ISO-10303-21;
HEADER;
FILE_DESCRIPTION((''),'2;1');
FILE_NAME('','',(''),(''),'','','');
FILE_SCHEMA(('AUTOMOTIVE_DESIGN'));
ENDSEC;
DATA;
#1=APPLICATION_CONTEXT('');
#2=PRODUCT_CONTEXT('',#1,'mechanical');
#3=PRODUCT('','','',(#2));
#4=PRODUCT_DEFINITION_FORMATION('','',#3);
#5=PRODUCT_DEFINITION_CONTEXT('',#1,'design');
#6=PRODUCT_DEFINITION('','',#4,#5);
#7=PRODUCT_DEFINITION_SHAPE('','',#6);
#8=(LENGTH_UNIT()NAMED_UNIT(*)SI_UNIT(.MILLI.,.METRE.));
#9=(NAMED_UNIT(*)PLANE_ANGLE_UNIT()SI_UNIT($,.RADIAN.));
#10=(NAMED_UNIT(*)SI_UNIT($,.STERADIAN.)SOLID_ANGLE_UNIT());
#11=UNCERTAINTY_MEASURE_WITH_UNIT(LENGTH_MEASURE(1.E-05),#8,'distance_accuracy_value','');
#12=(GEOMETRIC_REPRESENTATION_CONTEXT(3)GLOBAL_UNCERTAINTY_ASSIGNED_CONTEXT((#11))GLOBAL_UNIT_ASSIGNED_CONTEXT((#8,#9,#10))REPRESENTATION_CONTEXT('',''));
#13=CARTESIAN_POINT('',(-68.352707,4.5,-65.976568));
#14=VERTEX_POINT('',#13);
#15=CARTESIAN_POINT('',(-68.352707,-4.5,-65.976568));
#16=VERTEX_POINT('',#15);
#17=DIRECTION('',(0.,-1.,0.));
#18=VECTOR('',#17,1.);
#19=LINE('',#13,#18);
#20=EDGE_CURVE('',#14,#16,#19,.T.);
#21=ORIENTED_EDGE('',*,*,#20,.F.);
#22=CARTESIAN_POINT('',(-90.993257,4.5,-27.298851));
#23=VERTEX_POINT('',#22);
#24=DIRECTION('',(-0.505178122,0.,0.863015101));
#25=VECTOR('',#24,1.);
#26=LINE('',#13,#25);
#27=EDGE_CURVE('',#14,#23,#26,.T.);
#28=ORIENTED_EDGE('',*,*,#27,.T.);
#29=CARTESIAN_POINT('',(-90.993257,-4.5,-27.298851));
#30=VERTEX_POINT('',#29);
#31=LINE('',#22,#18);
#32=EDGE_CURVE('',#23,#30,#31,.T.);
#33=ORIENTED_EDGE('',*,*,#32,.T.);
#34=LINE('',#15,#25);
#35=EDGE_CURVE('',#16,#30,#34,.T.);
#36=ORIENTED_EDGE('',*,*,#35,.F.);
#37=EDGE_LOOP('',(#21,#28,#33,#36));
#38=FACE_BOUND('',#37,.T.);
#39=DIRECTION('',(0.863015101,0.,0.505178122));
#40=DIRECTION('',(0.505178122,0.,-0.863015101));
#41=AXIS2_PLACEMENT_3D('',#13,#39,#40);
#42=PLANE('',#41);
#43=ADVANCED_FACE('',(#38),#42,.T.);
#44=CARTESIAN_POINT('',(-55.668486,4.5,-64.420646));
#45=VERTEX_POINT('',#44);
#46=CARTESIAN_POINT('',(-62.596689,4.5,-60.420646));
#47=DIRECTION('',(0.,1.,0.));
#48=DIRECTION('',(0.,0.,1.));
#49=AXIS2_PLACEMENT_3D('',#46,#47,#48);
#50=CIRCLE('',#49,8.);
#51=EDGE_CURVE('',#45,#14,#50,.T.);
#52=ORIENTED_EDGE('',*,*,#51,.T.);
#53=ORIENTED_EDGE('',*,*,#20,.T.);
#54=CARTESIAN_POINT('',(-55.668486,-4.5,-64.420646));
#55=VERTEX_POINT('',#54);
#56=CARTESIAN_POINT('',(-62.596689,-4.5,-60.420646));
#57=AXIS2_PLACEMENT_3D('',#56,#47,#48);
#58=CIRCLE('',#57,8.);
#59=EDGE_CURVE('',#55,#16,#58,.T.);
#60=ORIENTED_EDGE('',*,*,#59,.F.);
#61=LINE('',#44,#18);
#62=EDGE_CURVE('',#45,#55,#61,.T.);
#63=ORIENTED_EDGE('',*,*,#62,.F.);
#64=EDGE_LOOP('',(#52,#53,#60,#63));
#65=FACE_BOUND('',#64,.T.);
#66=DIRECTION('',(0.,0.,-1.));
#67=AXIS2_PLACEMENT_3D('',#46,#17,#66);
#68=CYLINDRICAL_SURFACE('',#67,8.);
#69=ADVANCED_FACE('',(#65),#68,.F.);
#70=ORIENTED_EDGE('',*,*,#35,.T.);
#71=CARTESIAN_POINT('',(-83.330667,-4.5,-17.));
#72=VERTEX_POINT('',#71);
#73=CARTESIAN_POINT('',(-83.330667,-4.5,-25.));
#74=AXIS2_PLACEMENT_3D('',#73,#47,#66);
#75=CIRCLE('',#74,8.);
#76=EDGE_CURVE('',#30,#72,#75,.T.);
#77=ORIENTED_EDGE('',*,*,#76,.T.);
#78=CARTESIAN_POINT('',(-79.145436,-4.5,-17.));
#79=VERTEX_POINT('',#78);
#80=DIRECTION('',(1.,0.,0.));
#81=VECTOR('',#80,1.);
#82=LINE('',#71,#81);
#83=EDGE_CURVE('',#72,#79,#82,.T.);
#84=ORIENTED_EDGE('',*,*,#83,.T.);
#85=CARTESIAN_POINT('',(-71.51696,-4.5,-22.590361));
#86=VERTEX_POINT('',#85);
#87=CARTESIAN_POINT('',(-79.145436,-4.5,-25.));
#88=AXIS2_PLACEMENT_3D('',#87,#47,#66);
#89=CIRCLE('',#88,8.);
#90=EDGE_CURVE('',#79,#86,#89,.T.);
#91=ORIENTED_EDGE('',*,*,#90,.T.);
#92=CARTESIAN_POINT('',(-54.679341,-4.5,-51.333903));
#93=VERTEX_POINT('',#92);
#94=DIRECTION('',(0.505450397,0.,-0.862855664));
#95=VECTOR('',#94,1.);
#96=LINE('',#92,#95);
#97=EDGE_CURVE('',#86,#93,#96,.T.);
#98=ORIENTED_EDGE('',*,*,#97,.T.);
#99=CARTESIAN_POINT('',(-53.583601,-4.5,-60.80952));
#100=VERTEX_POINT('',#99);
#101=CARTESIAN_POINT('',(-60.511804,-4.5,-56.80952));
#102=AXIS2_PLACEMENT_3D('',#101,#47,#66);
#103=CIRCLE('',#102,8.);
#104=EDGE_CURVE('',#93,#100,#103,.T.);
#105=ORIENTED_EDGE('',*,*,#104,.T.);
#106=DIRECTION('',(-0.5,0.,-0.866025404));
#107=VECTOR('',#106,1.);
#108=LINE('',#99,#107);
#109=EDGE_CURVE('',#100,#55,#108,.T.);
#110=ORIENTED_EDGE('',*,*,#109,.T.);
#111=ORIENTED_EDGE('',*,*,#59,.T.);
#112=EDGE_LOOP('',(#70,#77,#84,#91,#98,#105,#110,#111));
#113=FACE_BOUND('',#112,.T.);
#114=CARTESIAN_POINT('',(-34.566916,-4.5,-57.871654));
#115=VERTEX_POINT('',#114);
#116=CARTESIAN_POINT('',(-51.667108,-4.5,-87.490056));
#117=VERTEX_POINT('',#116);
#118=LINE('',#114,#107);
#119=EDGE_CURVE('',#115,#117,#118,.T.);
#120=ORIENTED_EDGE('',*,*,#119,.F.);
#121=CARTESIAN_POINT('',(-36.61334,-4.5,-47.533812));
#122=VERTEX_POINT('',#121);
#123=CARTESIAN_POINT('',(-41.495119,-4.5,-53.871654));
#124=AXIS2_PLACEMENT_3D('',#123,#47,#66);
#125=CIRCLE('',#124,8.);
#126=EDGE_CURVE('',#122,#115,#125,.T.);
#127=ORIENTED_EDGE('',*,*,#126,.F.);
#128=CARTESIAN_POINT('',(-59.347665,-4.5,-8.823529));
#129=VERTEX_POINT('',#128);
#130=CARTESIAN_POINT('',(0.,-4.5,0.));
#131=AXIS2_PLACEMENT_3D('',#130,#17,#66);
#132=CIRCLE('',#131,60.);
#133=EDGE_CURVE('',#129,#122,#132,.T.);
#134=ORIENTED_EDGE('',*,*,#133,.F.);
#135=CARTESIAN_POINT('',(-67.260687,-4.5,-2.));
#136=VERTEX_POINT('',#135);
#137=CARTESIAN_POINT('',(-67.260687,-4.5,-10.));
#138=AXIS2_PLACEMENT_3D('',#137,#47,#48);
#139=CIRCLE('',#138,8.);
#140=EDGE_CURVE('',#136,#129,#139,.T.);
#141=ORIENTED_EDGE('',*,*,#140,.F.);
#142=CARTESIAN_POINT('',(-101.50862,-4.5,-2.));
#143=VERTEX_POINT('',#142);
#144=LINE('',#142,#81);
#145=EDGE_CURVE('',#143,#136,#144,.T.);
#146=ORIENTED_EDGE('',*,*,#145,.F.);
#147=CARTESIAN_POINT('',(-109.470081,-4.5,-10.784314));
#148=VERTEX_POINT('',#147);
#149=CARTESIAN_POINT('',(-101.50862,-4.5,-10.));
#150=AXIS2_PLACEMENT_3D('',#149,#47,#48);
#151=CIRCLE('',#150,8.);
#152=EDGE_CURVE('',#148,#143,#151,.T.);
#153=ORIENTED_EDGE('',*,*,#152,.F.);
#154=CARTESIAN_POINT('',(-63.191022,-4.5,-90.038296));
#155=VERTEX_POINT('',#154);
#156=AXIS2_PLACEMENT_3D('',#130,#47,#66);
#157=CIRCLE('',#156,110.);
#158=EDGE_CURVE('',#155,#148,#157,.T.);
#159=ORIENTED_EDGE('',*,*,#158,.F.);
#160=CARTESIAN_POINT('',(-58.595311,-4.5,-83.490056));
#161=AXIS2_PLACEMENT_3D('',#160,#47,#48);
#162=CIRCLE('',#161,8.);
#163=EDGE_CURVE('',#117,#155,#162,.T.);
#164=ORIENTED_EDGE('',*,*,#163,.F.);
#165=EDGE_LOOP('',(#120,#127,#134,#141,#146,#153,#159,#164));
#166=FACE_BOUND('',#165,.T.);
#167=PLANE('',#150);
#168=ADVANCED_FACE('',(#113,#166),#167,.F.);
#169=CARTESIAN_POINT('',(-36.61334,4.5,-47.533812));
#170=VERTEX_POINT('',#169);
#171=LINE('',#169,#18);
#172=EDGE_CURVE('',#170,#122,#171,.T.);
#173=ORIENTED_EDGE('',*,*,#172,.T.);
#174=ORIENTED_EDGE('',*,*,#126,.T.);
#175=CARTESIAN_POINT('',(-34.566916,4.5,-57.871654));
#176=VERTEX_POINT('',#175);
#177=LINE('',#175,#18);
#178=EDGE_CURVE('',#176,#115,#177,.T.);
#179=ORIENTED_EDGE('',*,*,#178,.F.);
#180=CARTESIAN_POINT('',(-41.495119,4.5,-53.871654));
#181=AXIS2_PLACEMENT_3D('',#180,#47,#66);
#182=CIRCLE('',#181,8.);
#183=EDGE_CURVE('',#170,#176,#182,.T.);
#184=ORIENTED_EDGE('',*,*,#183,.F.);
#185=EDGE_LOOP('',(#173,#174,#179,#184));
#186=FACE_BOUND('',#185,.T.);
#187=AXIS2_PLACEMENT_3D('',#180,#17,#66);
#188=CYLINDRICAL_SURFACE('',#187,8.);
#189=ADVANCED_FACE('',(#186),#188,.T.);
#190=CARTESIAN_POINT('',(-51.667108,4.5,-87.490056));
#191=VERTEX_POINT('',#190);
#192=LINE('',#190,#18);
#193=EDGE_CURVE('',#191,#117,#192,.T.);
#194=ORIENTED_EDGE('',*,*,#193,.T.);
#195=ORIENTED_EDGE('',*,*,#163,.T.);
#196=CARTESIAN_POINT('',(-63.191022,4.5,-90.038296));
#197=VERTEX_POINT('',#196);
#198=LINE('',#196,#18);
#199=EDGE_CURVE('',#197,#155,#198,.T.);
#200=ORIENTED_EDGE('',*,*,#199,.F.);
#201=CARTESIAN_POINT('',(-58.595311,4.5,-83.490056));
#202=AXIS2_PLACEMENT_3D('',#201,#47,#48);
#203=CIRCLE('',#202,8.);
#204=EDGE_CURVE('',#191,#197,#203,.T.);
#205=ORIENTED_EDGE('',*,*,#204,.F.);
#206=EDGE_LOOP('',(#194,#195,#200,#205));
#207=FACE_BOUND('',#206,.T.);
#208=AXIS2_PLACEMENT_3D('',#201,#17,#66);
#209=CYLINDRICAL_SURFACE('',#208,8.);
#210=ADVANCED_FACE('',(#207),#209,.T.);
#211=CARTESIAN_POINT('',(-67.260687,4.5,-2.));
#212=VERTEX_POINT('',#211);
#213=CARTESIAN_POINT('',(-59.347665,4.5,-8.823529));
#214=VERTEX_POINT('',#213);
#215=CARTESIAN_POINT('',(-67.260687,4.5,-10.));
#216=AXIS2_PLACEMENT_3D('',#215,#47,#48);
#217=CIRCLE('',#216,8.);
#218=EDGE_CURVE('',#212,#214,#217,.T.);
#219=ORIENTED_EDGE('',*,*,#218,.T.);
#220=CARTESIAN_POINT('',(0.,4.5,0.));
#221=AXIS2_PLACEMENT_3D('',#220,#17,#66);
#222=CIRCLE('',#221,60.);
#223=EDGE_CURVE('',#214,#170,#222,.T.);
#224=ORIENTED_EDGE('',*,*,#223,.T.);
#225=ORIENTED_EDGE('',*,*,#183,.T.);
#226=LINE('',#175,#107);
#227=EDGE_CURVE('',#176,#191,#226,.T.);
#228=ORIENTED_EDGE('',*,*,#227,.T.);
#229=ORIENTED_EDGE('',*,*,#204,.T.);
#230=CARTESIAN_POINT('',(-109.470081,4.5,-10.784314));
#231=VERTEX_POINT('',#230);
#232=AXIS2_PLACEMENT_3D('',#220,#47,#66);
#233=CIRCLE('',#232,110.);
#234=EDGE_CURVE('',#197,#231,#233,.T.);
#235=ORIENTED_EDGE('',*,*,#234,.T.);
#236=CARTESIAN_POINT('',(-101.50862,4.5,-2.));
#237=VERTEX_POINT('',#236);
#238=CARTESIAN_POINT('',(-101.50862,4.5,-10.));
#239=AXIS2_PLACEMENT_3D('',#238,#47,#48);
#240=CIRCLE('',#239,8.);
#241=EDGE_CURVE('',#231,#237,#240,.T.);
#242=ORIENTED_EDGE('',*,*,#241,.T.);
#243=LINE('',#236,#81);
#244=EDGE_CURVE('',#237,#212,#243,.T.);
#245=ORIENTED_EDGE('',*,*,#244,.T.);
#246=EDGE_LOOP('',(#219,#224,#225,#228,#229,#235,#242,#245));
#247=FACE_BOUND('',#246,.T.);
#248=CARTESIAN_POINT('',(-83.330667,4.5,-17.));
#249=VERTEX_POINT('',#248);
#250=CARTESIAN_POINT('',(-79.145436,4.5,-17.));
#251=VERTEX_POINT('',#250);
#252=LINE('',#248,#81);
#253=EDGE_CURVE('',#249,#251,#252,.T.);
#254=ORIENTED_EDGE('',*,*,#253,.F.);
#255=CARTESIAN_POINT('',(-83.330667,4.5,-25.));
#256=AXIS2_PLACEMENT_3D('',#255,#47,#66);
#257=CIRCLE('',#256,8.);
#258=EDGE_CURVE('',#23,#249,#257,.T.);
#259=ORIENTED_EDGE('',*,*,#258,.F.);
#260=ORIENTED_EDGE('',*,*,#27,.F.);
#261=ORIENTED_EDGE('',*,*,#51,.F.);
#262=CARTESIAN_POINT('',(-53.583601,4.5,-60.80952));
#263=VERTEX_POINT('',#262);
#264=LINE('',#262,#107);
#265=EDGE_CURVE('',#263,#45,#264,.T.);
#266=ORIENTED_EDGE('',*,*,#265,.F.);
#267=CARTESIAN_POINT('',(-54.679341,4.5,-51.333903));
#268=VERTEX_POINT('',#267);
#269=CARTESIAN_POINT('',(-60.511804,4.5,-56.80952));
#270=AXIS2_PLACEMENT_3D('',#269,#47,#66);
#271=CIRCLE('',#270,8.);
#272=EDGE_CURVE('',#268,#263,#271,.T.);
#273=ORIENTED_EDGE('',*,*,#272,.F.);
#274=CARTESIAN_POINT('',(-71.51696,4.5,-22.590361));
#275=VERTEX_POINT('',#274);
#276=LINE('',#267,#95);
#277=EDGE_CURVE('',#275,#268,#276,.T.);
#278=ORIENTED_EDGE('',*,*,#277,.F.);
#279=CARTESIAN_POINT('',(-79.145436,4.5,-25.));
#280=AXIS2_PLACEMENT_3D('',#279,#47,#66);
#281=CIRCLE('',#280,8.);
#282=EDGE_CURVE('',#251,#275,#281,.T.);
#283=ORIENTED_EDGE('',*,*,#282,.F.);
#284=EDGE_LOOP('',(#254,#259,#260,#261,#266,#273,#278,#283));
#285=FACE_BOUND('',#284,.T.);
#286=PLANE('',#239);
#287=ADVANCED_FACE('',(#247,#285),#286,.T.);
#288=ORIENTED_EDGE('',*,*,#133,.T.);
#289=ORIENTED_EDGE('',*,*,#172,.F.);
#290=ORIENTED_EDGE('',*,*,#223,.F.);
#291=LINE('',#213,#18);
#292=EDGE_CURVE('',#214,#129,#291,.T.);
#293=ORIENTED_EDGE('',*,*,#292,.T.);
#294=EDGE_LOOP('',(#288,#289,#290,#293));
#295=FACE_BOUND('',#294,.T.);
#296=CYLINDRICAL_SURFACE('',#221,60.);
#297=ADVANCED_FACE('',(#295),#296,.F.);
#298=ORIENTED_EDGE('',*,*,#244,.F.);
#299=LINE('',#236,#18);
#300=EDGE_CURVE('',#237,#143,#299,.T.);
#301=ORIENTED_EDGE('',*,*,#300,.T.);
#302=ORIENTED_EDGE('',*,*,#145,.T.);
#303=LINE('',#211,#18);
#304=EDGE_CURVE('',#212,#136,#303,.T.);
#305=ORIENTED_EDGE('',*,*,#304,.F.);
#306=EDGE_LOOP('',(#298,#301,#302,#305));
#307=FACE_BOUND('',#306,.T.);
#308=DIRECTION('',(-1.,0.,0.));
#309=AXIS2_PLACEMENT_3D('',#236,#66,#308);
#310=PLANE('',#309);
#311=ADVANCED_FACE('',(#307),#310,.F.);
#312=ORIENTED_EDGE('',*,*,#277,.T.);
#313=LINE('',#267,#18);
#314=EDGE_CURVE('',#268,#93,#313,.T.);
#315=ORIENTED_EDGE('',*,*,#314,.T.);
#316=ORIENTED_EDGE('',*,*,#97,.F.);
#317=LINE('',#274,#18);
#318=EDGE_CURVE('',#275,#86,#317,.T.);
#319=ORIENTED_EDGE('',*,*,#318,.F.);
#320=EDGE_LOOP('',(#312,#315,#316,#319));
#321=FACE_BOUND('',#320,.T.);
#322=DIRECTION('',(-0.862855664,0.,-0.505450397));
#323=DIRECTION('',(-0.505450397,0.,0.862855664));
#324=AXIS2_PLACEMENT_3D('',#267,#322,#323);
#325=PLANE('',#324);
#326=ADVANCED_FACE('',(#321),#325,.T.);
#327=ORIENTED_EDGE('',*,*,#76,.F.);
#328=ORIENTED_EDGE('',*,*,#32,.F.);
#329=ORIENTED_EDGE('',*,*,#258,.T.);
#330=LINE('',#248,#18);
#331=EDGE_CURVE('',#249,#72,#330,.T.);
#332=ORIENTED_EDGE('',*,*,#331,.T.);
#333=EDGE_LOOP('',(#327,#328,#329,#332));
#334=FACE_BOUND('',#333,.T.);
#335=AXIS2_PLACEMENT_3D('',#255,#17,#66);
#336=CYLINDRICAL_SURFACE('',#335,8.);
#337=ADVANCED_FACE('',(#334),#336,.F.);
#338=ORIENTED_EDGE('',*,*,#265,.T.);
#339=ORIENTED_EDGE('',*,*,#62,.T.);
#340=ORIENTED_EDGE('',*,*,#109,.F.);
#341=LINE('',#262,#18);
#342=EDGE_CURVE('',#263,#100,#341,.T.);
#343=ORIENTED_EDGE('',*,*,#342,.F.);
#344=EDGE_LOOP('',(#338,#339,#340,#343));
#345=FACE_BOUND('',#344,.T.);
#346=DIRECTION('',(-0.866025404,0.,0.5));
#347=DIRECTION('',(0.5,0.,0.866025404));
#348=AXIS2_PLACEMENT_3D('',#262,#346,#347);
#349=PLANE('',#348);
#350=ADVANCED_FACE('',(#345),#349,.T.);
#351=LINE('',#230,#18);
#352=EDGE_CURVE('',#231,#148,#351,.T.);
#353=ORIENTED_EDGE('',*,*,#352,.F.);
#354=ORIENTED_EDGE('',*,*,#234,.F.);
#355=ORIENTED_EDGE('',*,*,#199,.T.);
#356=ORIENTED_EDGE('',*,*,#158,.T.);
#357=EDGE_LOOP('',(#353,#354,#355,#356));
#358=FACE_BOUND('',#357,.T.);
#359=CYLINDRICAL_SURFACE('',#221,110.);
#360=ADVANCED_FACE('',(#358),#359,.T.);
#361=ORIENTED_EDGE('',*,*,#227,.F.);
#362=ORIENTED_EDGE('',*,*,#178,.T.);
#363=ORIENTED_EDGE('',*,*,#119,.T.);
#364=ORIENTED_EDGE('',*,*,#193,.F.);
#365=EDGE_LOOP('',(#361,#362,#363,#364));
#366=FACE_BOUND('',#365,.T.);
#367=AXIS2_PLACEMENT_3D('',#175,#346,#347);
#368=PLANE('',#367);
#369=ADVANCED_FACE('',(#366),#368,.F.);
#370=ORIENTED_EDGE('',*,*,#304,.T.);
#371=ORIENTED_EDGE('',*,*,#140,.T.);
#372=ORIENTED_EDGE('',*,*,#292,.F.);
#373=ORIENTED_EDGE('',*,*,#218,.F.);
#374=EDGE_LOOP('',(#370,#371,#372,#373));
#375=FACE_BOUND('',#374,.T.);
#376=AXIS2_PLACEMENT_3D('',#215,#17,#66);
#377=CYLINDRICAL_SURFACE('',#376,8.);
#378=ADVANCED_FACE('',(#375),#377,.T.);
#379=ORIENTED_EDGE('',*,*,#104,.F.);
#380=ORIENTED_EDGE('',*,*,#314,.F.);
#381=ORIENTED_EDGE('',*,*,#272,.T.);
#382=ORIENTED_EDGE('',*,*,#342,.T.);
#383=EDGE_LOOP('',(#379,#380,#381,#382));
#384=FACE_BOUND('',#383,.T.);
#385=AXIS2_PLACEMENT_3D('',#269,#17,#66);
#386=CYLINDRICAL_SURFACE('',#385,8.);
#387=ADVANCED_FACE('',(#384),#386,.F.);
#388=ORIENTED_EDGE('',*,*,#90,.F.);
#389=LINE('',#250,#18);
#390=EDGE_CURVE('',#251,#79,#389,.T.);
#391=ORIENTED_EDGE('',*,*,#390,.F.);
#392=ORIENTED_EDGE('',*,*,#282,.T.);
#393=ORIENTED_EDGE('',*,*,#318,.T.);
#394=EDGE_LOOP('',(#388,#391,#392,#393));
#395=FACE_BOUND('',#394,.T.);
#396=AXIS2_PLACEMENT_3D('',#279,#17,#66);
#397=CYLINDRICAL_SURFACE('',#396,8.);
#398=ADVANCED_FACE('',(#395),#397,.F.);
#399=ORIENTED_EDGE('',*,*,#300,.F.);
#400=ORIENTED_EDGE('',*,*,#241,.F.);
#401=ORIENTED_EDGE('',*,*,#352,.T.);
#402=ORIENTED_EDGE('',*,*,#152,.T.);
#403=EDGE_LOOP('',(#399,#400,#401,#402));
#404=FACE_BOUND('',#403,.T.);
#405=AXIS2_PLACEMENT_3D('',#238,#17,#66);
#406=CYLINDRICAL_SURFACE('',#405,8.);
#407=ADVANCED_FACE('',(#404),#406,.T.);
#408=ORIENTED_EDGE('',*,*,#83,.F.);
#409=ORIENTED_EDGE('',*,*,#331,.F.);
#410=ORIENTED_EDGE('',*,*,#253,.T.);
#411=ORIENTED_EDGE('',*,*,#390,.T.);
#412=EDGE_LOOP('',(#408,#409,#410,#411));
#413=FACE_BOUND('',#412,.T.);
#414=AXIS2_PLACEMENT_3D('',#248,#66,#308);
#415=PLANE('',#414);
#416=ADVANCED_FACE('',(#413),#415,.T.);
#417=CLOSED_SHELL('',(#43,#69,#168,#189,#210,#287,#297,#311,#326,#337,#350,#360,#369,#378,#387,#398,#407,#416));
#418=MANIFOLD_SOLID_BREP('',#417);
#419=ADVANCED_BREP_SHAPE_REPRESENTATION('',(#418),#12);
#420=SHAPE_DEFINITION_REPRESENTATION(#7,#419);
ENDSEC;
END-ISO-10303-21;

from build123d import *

# Parameters (mm, degrees)
BOSS_EXTRUDE1_DEPTH = 4.5


with BuildPart() as part:
    # Sketch1 → Boss-Extrude1 (new, symmetric)
    with BuildSketch(Plane(origin=(0, 0, 0), x_dir=(1, 0, 0), z_dir=(0, 1, 0))):
        with BuildLine():
            Line((-101.508620324, 2), (-67.260686883, 2))
            ThreePointArc((-67.260686883, 2), (-62.036309634, 3.941462028), (-59.347664897, 8.823529412))
            ThreePointArc((-59.347664897, 8.823529412), (-51.737318493, 30.385027154), (-36.613340144, 47.533812423))
            ThreePointArc((-36.613340144, 47.533812423), (-33.647401917, 52.31816148), (-34.5669156, 57.87165408))
            Line((-34.5669156, 57.87165408), (-51.667108069, 87.490056256))
            ThreePointArc((-51.667108069, 87.490056256), (-56.868026794, 91.301361412), (-63.19102199, 90.038295963))
            ThreePointArc((-63.19102199, 90.038295963), (-94.99085495, 55.468346611), (-109.470080741, 10.784313725))
            ThreePointArc((-109.470080741, 10.784313725), (-107.436288913, 4.627594105), (-101.508620324, 2))
        make_face()
        with BuildLine():
            Line((-53.583601177, 60.80951969), (-55.668486055, 64.420646227))
            ThreePointArc((-55.668486055, 64.420646227), (-61.622662682, 68.361129347), (-68.352706691, 65.97656772))
            Line((-68.352706691, 65.97656772), (-90.993256658, 27.298850575))
            ThreePointArc((-90.993256658, 27.298850575), (-89.749031081, 20.224584028), (-83.330666624, 17))
            Line((-83.330666624, 17), (-79.14543575, 17))
            ThreePointArc((-79.14543575, 17), (-74.41664671, 18.547205705), (-71.516960015, 22.590361446))
            Line((-71.516960015, 22.590361446), (-54.679341331, 51.333903335))
            ThreePointArc((-54.679341331, 51.333903335), (-52.564762349, 55.890540621), (-53.583601177, 60.80951969))
        make_face(mode=Mode.SUBTRACT)
    extrude(amount=BOSS_EXTRUDE1_DEPTH, both=True)


solid = part.part
